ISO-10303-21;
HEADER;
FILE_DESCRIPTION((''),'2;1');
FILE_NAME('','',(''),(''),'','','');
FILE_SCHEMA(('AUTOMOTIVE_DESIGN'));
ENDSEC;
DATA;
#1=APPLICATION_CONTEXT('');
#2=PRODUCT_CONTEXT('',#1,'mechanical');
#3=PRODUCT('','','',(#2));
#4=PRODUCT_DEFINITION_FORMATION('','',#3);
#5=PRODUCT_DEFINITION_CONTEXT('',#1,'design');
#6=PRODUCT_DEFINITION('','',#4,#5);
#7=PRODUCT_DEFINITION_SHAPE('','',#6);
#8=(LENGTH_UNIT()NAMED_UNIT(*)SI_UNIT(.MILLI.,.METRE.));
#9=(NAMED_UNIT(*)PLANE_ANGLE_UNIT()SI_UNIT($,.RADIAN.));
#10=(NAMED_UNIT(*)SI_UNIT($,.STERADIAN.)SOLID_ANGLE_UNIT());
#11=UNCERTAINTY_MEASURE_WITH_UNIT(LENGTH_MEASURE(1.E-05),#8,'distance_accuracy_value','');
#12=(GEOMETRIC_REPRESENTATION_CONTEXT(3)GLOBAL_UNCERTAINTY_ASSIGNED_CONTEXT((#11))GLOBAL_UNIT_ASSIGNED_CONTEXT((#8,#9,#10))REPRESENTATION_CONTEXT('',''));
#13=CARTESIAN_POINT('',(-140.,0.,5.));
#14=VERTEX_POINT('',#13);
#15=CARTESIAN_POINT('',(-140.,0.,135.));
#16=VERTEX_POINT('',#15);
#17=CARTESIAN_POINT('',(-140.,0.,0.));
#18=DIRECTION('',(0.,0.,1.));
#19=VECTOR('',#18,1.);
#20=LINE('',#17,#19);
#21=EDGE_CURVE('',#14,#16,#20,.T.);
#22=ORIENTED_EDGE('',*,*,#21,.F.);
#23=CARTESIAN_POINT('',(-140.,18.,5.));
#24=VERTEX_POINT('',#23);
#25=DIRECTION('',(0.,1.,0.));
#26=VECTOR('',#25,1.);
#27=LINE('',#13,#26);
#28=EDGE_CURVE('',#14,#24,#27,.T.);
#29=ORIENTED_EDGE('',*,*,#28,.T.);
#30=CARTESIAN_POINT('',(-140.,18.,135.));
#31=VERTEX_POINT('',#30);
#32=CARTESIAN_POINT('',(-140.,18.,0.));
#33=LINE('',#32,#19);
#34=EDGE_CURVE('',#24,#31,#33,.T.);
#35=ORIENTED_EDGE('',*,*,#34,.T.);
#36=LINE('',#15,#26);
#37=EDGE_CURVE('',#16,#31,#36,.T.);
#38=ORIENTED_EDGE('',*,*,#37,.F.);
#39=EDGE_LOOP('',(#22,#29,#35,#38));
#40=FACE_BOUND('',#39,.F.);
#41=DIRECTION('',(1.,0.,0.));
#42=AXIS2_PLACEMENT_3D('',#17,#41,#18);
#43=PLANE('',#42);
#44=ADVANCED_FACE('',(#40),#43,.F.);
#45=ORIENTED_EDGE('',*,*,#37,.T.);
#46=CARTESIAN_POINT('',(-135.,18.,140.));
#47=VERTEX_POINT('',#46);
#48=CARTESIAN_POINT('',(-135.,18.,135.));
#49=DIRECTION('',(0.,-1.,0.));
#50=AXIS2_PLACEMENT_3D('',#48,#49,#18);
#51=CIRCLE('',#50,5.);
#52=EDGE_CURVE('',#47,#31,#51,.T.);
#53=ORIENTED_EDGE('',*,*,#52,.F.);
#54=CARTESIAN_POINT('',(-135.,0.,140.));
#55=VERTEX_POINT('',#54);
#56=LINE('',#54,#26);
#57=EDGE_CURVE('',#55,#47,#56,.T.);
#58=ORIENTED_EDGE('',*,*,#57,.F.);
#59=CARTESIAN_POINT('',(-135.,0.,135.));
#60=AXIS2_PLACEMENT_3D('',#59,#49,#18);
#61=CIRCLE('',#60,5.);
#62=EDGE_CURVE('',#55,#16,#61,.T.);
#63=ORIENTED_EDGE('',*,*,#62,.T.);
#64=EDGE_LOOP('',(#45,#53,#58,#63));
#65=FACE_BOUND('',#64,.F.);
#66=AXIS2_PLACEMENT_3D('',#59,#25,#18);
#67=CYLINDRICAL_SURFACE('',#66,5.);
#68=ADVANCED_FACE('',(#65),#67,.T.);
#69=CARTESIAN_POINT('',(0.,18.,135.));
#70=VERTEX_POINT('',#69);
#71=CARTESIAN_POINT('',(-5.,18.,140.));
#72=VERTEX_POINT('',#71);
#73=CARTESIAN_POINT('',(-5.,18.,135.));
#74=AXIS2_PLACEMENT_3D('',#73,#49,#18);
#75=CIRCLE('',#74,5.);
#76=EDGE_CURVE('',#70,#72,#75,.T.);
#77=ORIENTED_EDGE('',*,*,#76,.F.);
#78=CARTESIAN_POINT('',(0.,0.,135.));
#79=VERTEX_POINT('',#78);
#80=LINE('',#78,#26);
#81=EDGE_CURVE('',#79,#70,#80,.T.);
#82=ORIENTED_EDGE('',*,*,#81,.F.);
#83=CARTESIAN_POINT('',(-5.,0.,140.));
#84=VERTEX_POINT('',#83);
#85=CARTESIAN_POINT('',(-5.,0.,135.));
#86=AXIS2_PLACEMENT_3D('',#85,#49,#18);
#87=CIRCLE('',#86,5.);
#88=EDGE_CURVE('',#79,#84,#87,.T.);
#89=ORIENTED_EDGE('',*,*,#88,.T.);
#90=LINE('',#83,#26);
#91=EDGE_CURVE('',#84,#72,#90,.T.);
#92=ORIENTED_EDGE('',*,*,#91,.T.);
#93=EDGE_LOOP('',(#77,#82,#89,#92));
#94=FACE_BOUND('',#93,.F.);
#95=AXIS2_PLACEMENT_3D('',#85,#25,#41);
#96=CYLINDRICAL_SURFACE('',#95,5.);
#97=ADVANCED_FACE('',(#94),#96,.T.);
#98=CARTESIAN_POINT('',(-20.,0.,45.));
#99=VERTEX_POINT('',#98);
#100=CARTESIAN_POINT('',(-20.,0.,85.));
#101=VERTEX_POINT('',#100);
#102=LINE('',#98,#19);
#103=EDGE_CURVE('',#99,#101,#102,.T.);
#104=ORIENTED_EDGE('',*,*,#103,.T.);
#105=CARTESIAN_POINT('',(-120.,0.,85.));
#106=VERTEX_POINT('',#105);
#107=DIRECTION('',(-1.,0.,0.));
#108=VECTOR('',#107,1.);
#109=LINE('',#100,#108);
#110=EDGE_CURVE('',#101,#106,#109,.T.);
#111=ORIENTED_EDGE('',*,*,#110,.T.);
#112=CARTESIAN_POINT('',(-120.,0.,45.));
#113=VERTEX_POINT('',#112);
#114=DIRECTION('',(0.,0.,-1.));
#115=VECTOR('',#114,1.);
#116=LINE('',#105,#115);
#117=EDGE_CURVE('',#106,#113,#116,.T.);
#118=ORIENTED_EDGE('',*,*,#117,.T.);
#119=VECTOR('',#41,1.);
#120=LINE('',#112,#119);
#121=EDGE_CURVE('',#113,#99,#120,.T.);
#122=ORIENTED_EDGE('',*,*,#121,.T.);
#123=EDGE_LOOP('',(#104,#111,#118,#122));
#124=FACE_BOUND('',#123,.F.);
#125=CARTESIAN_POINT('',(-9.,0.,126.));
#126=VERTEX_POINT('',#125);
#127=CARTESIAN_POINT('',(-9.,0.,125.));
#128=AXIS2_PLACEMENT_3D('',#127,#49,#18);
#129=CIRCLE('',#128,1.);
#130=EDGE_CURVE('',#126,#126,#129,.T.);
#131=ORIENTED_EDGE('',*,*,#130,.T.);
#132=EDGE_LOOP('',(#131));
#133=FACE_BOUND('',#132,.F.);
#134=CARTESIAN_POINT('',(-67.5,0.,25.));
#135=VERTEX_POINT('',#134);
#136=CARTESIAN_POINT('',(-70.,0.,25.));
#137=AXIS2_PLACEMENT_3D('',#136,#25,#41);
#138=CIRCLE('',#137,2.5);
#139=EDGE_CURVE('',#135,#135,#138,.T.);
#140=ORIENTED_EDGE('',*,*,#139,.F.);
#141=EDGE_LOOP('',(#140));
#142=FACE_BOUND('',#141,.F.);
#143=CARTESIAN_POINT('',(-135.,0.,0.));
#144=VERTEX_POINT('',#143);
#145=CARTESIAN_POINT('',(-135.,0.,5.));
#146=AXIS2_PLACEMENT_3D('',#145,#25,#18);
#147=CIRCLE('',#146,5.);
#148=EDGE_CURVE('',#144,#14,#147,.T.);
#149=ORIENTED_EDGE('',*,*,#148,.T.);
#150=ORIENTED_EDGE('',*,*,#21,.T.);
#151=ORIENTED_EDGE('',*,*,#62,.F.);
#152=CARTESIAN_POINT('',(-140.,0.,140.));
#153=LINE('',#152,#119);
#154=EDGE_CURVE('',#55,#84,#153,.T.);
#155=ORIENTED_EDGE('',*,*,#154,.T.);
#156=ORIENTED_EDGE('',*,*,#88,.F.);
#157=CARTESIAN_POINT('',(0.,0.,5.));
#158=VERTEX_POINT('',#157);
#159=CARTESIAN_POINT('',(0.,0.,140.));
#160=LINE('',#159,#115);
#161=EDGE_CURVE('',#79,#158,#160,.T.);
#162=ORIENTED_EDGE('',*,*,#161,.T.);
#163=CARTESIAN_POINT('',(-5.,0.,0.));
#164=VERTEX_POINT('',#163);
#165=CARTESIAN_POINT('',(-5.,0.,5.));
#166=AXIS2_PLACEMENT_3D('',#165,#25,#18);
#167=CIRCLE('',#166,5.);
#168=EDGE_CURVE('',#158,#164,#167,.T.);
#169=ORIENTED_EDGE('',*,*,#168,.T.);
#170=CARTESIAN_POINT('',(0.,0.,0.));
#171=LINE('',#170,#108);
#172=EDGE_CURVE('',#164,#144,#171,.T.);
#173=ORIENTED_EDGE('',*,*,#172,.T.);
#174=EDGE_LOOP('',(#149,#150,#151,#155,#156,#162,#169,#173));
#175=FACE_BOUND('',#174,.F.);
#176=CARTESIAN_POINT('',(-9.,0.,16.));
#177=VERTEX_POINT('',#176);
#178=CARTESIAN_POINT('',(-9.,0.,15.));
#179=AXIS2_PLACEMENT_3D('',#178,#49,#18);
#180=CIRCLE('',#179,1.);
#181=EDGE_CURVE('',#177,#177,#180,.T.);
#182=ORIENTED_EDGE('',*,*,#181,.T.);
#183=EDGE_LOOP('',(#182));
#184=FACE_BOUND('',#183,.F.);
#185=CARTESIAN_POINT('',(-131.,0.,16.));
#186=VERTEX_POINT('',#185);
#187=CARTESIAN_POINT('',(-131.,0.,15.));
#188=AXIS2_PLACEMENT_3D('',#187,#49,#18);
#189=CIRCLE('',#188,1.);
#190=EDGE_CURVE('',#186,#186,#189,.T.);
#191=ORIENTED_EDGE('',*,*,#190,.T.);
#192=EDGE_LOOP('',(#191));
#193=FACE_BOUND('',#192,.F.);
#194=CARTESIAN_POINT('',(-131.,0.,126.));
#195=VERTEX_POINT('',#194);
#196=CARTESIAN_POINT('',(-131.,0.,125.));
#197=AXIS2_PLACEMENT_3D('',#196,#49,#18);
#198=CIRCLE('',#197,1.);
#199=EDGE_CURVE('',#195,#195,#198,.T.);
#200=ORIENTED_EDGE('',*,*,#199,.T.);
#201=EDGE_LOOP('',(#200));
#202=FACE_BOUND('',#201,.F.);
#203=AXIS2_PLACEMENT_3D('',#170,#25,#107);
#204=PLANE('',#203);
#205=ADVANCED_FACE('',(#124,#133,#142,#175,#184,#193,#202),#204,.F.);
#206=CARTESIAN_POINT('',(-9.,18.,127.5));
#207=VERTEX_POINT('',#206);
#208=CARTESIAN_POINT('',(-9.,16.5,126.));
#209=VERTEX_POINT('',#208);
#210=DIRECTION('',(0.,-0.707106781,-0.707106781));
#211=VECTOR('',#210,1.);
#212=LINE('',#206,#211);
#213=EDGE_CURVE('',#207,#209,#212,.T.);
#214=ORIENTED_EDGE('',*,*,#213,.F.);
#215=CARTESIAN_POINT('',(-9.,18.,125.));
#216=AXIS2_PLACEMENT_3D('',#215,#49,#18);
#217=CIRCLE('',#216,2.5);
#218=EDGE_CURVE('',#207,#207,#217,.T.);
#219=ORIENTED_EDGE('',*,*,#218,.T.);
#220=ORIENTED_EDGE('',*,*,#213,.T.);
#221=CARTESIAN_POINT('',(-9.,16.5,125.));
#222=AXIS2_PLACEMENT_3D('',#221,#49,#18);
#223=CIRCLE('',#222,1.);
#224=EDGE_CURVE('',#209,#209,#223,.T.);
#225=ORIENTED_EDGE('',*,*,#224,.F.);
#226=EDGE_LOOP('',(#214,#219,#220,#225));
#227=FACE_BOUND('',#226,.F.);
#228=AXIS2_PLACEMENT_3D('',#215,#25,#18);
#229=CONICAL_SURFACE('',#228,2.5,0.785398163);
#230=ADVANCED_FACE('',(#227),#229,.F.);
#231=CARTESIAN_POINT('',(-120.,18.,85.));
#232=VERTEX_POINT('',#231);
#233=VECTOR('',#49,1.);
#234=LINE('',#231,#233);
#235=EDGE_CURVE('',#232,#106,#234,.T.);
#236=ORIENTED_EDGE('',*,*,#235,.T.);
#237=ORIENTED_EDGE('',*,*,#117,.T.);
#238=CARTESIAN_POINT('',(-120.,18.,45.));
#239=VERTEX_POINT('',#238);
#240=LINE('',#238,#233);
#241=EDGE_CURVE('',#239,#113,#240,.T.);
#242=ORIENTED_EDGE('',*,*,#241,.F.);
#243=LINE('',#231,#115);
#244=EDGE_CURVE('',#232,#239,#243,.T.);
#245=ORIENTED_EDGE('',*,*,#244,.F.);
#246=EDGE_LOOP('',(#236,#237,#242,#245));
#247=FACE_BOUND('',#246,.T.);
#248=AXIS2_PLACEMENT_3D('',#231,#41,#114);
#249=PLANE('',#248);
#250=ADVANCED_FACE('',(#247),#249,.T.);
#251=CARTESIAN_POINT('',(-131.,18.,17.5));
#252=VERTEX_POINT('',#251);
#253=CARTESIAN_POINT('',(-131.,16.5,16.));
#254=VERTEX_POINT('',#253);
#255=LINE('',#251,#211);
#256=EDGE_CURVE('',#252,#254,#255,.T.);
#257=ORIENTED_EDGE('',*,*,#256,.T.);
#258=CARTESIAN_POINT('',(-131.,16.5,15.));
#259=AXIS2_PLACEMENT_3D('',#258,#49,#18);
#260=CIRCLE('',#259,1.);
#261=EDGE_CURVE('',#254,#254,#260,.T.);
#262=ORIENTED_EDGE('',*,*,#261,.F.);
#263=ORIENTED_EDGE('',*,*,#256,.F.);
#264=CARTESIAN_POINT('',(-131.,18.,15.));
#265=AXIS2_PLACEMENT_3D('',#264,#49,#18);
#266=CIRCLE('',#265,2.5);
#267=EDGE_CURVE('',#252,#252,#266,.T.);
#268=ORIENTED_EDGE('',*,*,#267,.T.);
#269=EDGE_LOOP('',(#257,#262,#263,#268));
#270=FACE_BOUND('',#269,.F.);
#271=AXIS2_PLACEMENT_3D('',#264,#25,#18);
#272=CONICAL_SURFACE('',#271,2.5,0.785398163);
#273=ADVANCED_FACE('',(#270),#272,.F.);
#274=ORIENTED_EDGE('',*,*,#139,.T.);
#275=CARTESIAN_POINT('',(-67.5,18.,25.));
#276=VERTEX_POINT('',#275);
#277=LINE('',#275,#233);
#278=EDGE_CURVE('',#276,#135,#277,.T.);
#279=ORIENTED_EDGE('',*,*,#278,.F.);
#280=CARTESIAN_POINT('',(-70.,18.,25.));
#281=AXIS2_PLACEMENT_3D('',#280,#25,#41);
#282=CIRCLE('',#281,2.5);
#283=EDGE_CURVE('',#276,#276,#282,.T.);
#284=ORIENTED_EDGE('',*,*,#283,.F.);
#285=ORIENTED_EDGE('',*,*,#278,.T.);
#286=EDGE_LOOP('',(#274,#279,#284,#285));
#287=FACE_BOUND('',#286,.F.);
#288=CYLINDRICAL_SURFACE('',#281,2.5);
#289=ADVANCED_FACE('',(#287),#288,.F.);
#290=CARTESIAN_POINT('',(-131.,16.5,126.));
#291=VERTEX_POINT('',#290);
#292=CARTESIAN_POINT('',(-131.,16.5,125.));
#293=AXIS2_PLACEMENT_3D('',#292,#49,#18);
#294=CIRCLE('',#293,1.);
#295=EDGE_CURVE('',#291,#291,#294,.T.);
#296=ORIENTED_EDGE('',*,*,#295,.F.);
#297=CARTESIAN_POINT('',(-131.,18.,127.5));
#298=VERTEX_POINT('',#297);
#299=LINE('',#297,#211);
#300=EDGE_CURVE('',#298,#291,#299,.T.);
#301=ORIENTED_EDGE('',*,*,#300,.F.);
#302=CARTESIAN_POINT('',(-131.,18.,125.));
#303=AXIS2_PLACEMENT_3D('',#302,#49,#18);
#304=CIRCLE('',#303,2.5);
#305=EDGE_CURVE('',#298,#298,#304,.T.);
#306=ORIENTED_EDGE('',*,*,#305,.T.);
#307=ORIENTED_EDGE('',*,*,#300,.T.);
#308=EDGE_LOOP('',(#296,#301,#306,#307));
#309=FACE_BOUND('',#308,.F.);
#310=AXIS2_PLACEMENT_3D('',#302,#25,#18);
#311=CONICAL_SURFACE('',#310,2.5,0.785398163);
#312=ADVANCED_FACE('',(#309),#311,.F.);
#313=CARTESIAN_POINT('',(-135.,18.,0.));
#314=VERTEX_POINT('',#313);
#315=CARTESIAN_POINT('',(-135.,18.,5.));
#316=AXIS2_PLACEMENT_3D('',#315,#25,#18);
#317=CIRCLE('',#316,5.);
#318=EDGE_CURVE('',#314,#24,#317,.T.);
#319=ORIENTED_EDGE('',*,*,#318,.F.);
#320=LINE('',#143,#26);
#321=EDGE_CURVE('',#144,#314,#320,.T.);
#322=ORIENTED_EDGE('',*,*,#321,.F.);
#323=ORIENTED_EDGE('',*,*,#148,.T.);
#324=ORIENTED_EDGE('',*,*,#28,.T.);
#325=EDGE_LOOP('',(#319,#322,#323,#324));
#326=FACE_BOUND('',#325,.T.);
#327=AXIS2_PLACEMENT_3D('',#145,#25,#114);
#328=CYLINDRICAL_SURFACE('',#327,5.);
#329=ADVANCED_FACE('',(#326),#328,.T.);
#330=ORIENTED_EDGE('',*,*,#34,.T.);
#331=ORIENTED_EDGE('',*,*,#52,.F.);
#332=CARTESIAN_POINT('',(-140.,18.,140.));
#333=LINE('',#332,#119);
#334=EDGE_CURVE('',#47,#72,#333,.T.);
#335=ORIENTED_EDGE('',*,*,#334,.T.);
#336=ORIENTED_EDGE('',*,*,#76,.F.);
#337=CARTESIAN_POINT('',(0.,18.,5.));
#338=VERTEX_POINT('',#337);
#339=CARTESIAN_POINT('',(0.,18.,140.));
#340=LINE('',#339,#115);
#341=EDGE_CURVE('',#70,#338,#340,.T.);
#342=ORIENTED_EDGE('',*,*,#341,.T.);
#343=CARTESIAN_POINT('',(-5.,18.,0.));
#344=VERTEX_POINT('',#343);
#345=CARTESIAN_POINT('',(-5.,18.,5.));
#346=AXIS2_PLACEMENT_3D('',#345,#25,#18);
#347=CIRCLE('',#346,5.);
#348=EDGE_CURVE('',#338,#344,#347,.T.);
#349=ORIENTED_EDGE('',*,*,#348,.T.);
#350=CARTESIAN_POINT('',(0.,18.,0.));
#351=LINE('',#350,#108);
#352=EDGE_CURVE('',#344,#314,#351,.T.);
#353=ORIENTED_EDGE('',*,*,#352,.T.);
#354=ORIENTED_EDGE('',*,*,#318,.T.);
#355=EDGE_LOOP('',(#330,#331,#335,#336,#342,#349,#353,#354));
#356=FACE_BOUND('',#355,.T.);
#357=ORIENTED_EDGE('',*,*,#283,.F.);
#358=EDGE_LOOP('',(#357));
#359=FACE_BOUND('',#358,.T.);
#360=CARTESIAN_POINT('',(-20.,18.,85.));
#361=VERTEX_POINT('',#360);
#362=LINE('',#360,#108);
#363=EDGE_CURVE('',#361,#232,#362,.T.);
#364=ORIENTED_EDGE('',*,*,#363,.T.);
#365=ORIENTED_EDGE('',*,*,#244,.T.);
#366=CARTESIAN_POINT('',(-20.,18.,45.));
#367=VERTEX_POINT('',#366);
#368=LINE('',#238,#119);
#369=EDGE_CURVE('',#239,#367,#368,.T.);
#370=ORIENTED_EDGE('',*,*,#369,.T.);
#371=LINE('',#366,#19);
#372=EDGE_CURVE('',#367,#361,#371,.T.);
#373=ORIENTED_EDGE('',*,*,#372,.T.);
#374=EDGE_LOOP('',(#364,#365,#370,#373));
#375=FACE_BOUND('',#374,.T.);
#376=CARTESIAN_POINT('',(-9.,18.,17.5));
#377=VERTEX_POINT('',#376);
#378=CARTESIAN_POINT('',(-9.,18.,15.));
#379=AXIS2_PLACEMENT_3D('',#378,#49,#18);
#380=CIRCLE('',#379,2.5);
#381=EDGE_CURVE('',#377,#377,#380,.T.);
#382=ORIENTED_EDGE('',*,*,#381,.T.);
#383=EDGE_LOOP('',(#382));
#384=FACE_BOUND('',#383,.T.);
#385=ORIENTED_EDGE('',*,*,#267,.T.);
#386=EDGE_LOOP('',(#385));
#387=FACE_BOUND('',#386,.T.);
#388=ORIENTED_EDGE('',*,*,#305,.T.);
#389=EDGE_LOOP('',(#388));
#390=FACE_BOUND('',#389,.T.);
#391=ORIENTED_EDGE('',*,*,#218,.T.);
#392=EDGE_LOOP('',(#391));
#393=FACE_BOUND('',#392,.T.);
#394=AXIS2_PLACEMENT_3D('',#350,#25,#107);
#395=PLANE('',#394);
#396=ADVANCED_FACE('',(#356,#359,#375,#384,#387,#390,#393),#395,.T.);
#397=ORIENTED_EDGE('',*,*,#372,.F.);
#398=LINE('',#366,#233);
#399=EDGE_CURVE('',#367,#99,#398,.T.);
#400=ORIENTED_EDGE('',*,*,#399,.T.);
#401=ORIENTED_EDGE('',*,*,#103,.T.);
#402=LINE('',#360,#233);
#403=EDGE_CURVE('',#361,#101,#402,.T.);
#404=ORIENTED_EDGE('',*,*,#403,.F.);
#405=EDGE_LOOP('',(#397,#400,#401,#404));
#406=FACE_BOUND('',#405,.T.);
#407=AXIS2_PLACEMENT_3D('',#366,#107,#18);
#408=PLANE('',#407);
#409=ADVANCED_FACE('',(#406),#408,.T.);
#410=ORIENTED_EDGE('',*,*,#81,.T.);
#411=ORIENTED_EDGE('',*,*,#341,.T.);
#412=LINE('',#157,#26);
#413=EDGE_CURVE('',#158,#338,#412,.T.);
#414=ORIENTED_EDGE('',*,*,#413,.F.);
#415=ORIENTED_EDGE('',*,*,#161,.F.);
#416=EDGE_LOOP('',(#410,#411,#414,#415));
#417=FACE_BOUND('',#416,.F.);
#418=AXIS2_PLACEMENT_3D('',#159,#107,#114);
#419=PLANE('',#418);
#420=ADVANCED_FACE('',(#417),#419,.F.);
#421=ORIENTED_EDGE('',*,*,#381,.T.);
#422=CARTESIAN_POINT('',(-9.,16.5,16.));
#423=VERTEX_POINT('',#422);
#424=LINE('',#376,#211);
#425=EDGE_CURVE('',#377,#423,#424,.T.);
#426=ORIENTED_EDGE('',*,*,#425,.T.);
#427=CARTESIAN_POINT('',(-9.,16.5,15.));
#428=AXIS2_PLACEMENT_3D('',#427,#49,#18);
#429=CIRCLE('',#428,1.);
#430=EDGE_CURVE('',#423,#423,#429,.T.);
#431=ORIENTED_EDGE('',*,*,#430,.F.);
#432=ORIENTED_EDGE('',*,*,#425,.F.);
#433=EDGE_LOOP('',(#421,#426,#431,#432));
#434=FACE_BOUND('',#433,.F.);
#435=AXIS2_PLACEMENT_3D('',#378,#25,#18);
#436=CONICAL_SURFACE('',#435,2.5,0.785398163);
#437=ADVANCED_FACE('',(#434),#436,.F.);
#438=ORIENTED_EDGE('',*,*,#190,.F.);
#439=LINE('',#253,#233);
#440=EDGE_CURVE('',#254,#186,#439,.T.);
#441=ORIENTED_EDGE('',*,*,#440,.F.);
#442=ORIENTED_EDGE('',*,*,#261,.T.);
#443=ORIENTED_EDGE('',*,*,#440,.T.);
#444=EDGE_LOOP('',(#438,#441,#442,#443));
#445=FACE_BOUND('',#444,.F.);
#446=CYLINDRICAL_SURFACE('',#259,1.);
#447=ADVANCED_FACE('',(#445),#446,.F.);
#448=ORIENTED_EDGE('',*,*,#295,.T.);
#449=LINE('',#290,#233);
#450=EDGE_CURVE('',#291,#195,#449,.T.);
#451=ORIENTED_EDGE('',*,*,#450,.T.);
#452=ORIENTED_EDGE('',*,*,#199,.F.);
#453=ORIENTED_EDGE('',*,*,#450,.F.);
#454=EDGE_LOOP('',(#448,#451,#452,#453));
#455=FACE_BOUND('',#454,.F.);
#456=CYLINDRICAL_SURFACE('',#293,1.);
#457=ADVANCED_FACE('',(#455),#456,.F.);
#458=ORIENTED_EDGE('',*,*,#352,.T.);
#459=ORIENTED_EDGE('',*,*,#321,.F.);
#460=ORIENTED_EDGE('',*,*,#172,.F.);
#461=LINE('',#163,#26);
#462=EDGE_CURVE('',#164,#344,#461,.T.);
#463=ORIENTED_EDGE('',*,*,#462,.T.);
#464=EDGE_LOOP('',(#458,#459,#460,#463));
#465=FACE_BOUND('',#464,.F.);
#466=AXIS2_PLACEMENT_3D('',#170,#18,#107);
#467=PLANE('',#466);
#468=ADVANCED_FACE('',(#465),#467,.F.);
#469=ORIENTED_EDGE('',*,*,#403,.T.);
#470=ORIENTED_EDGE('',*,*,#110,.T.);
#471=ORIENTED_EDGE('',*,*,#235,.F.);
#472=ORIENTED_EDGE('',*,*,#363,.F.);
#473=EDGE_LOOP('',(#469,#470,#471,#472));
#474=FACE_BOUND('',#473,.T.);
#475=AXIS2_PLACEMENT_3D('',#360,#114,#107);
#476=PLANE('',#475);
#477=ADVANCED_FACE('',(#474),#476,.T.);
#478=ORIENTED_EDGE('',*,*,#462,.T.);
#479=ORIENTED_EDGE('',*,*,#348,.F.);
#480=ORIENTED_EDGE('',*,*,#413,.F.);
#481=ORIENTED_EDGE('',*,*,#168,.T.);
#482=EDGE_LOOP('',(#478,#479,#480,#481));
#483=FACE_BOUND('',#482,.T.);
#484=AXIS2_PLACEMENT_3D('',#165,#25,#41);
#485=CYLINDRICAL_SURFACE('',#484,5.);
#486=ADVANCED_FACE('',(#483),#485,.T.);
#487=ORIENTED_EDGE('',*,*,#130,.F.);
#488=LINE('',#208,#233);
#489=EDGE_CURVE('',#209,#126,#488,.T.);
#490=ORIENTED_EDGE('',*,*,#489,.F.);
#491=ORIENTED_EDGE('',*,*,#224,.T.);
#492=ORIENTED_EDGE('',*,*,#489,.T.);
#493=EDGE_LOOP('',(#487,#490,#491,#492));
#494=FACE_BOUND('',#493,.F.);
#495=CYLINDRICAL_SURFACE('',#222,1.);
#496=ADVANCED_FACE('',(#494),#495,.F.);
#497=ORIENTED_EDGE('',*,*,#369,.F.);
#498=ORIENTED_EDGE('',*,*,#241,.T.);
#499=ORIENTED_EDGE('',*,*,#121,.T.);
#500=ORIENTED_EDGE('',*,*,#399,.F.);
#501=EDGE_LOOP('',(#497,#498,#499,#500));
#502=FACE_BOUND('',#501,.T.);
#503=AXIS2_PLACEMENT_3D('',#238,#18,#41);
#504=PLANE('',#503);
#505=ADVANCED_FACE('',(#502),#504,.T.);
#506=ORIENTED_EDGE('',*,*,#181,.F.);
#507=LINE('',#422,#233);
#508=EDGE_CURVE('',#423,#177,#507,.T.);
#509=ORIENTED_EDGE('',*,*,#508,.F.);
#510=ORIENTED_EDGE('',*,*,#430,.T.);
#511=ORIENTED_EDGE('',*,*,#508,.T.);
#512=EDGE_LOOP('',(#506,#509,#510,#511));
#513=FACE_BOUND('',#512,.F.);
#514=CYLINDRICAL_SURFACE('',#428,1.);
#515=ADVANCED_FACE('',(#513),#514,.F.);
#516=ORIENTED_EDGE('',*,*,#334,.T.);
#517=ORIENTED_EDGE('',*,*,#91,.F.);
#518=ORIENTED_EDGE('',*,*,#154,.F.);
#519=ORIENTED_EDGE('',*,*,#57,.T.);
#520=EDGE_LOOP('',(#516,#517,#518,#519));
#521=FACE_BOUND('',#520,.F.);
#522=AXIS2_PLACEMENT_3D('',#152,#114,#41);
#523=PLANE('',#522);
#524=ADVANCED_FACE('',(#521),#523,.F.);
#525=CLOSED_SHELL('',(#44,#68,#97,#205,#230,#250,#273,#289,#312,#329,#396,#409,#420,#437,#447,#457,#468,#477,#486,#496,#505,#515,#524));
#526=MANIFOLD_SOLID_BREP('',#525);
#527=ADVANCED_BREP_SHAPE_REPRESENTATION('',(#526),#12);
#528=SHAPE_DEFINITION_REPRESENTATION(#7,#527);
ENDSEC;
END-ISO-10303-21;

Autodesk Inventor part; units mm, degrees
ref_plane "YZ Plane" through (0, 0, 0) normal (1, 0, 0) x (0, 1, 0)
ref_plane "XZ Plane" through (0, 0, 0) normal (0, 1, 0) x (-1, 0, 0)
ref_plane "XY Plane" through (0, 0, 0) normal (0, 0, 1) x (1, 0, 0)
sketch "Skizze1" plane through (0, 0, 0) normal (0, 1, 0) x (-1, 0, 0)
  line L0 (0, 0) -> (140, 0)
  line L1 (140, 0) -> (140, 140)
  line L2 (140, 140) -> (0, 140)
  line L3 (0, 140) -> (0, 0)
  dimension "d0" = 140
  dimension "d1" = 140
extrude "Extrusion1" add sketch "Skizze1" along normal blind 18
sketch "Skizze2" plane through (0, 18, 0) normal (0, 1, 0) x (1, 0, 0)
  line L0 (0, 0) -> (-140, 0) projected
  line L1 (-140, 0) -> (-140, -140) projected
  line L2 (-140, -140) -> (0, -140) projected
  line L3 (0, -140) -> (0, 0) projected
  point P0 (-131, -15)
  point P1 (-131, -125)
  point P2 (-9, -15)
  point P3 (-9, -125)
  dimension "d4" = 15
  dimension "d5" = 15
  dimension "d6" = 15
  dimension "d7" = 15
  dimension "d8" = 9
  dimension "d9" = 9
  dimension "d10" = 9
  dimension "d11" = 9
hole "Bohrung1" at (-131, 18, 15) at (-131, 18, 125) at (-9, 18, 15) at (-9, 18, 125) direction (0, -1, 0) diameter 2 end through all countersink diameter 5 countersink angle 90
fillet "Rundung1" radius 5 4 edges at (-140, 9, 0) (-140, 9, 140) (0, 9, 140) (0, 9, 0)
sketch "Skizze3" plane through (0, 18, 0) normal (0, 1, 0) x (1, 0, 0)
  line L0 (-5, 0) -> (-135, 0) projected
  line L1 (-140, -5) -> (-140, -135) projected
  line L2 (0, -135) -> (0, -5) projected
  line L3 (-120, -45) -> (-20, -45)
  line L4 (-20, -45) -> (-20, -85)
  line L5 (-20, -85) -> (-120, -85)
  line L6 (-120, -85) -> (-120, -45)
  circle A0 centre (-70, -25) radius 2.5
  point P0 (0, 0)
  dimension "d20" = 20
  dimension "d23" = 100
  dimension "d24" = 40
  dimension "d25" = 45
  dimension "d26" = 5
  dimension "d27" = 70
  dimension "d28" = 25
extrude "Extrusion2" cut sketch "Skizze3" against normal blind 18
properties part number "Deckel" material "Eiche, weiß"
